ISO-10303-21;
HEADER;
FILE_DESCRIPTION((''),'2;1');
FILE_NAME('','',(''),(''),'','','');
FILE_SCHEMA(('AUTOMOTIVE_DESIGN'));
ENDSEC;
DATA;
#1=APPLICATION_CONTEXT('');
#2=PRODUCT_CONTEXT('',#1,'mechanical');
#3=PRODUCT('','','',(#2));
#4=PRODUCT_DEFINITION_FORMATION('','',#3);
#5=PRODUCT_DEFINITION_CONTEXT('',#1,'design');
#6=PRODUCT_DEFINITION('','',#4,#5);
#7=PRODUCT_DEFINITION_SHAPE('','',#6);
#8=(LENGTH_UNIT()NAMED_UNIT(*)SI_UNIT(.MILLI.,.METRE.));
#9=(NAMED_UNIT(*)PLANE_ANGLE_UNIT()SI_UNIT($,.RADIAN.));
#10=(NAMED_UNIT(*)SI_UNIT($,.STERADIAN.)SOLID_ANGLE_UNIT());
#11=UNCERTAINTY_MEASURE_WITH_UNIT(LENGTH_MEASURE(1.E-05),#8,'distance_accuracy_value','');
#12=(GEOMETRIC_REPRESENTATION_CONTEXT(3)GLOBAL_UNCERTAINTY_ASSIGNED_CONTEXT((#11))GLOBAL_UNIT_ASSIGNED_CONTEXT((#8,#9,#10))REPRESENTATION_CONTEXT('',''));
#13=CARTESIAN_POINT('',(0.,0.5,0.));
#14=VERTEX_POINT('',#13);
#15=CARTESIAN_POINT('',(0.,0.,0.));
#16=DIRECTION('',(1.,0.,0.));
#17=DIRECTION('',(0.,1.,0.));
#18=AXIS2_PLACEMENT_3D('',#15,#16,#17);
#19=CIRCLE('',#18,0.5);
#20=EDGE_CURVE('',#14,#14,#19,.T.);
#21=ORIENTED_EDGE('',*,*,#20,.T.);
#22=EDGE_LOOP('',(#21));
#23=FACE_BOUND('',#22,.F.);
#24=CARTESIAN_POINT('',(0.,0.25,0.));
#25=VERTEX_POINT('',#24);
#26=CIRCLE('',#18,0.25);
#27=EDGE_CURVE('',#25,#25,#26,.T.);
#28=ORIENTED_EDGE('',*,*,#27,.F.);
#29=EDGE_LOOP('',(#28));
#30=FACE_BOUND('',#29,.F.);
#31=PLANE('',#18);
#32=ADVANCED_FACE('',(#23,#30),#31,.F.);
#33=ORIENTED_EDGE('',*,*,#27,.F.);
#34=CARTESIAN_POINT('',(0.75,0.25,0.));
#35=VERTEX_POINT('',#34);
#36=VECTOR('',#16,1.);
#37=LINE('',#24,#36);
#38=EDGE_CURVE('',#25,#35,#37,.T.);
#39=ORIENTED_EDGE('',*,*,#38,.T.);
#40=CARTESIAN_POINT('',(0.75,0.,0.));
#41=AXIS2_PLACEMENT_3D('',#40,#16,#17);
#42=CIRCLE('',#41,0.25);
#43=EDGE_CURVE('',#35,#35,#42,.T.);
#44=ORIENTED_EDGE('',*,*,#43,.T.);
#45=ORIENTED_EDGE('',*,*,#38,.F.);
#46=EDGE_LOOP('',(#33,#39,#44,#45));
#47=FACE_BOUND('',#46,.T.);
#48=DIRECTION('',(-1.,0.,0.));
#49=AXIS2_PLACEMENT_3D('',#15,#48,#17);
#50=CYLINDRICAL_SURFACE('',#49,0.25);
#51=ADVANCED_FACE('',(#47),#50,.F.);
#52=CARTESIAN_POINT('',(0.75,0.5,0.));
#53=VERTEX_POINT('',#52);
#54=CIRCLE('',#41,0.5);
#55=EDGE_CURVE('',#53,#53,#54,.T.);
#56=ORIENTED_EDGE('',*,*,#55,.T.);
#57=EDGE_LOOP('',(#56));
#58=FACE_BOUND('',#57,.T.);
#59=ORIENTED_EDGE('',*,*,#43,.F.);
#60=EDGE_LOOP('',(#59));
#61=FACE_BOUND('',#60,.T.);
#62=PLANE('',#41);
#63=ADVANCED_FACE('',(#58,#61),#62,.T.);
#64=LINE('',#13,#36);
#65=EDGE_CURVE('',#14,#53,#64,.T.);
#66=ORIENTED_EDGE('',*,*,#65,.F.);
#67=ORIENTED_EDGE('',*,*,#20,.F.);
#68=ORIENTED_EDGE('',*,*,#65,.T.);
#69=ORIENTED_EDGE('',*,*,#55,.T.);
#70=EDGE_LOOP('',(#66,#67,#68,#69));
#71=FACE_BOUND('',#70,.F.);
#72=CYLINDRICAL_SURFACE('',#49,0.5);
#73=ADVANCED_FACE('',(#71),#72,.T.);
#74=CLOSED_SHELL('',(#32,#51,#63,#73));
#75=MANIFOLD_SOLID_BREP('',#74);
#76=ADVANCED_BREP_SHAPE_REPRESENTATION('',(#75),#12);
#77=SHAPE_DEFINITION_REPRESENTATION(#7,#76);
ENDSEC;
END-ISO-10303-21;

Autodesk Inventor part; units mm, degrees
ref_plane "YZ Plane" through (0, 0, 0) normal (1, 0, 0) x (0, 1, 0)
ref_plane "XZ Plane" through (0, 0, 0) normal (0, 1, 0) x (-1, 0, 0)
ref_plane "XY Plane" through (0, 0, 0) normal (0, 0, 1) x (1, 0, 0)
sketch "Sketch1" plane through (0, 0, 0) normal (1, 0, 0) x (0, 1, 0)
  circle A0 centre (0, 0) radius 0.5
  circle A1 centre (0, 0) radius 0.25
  dimension "d13" = 0.5
  dimension "d14" = 1
extrude "Extrusion2" add sketch "Sketch1" along normal blind 0.75
properties part number "bearing tube_xw"
